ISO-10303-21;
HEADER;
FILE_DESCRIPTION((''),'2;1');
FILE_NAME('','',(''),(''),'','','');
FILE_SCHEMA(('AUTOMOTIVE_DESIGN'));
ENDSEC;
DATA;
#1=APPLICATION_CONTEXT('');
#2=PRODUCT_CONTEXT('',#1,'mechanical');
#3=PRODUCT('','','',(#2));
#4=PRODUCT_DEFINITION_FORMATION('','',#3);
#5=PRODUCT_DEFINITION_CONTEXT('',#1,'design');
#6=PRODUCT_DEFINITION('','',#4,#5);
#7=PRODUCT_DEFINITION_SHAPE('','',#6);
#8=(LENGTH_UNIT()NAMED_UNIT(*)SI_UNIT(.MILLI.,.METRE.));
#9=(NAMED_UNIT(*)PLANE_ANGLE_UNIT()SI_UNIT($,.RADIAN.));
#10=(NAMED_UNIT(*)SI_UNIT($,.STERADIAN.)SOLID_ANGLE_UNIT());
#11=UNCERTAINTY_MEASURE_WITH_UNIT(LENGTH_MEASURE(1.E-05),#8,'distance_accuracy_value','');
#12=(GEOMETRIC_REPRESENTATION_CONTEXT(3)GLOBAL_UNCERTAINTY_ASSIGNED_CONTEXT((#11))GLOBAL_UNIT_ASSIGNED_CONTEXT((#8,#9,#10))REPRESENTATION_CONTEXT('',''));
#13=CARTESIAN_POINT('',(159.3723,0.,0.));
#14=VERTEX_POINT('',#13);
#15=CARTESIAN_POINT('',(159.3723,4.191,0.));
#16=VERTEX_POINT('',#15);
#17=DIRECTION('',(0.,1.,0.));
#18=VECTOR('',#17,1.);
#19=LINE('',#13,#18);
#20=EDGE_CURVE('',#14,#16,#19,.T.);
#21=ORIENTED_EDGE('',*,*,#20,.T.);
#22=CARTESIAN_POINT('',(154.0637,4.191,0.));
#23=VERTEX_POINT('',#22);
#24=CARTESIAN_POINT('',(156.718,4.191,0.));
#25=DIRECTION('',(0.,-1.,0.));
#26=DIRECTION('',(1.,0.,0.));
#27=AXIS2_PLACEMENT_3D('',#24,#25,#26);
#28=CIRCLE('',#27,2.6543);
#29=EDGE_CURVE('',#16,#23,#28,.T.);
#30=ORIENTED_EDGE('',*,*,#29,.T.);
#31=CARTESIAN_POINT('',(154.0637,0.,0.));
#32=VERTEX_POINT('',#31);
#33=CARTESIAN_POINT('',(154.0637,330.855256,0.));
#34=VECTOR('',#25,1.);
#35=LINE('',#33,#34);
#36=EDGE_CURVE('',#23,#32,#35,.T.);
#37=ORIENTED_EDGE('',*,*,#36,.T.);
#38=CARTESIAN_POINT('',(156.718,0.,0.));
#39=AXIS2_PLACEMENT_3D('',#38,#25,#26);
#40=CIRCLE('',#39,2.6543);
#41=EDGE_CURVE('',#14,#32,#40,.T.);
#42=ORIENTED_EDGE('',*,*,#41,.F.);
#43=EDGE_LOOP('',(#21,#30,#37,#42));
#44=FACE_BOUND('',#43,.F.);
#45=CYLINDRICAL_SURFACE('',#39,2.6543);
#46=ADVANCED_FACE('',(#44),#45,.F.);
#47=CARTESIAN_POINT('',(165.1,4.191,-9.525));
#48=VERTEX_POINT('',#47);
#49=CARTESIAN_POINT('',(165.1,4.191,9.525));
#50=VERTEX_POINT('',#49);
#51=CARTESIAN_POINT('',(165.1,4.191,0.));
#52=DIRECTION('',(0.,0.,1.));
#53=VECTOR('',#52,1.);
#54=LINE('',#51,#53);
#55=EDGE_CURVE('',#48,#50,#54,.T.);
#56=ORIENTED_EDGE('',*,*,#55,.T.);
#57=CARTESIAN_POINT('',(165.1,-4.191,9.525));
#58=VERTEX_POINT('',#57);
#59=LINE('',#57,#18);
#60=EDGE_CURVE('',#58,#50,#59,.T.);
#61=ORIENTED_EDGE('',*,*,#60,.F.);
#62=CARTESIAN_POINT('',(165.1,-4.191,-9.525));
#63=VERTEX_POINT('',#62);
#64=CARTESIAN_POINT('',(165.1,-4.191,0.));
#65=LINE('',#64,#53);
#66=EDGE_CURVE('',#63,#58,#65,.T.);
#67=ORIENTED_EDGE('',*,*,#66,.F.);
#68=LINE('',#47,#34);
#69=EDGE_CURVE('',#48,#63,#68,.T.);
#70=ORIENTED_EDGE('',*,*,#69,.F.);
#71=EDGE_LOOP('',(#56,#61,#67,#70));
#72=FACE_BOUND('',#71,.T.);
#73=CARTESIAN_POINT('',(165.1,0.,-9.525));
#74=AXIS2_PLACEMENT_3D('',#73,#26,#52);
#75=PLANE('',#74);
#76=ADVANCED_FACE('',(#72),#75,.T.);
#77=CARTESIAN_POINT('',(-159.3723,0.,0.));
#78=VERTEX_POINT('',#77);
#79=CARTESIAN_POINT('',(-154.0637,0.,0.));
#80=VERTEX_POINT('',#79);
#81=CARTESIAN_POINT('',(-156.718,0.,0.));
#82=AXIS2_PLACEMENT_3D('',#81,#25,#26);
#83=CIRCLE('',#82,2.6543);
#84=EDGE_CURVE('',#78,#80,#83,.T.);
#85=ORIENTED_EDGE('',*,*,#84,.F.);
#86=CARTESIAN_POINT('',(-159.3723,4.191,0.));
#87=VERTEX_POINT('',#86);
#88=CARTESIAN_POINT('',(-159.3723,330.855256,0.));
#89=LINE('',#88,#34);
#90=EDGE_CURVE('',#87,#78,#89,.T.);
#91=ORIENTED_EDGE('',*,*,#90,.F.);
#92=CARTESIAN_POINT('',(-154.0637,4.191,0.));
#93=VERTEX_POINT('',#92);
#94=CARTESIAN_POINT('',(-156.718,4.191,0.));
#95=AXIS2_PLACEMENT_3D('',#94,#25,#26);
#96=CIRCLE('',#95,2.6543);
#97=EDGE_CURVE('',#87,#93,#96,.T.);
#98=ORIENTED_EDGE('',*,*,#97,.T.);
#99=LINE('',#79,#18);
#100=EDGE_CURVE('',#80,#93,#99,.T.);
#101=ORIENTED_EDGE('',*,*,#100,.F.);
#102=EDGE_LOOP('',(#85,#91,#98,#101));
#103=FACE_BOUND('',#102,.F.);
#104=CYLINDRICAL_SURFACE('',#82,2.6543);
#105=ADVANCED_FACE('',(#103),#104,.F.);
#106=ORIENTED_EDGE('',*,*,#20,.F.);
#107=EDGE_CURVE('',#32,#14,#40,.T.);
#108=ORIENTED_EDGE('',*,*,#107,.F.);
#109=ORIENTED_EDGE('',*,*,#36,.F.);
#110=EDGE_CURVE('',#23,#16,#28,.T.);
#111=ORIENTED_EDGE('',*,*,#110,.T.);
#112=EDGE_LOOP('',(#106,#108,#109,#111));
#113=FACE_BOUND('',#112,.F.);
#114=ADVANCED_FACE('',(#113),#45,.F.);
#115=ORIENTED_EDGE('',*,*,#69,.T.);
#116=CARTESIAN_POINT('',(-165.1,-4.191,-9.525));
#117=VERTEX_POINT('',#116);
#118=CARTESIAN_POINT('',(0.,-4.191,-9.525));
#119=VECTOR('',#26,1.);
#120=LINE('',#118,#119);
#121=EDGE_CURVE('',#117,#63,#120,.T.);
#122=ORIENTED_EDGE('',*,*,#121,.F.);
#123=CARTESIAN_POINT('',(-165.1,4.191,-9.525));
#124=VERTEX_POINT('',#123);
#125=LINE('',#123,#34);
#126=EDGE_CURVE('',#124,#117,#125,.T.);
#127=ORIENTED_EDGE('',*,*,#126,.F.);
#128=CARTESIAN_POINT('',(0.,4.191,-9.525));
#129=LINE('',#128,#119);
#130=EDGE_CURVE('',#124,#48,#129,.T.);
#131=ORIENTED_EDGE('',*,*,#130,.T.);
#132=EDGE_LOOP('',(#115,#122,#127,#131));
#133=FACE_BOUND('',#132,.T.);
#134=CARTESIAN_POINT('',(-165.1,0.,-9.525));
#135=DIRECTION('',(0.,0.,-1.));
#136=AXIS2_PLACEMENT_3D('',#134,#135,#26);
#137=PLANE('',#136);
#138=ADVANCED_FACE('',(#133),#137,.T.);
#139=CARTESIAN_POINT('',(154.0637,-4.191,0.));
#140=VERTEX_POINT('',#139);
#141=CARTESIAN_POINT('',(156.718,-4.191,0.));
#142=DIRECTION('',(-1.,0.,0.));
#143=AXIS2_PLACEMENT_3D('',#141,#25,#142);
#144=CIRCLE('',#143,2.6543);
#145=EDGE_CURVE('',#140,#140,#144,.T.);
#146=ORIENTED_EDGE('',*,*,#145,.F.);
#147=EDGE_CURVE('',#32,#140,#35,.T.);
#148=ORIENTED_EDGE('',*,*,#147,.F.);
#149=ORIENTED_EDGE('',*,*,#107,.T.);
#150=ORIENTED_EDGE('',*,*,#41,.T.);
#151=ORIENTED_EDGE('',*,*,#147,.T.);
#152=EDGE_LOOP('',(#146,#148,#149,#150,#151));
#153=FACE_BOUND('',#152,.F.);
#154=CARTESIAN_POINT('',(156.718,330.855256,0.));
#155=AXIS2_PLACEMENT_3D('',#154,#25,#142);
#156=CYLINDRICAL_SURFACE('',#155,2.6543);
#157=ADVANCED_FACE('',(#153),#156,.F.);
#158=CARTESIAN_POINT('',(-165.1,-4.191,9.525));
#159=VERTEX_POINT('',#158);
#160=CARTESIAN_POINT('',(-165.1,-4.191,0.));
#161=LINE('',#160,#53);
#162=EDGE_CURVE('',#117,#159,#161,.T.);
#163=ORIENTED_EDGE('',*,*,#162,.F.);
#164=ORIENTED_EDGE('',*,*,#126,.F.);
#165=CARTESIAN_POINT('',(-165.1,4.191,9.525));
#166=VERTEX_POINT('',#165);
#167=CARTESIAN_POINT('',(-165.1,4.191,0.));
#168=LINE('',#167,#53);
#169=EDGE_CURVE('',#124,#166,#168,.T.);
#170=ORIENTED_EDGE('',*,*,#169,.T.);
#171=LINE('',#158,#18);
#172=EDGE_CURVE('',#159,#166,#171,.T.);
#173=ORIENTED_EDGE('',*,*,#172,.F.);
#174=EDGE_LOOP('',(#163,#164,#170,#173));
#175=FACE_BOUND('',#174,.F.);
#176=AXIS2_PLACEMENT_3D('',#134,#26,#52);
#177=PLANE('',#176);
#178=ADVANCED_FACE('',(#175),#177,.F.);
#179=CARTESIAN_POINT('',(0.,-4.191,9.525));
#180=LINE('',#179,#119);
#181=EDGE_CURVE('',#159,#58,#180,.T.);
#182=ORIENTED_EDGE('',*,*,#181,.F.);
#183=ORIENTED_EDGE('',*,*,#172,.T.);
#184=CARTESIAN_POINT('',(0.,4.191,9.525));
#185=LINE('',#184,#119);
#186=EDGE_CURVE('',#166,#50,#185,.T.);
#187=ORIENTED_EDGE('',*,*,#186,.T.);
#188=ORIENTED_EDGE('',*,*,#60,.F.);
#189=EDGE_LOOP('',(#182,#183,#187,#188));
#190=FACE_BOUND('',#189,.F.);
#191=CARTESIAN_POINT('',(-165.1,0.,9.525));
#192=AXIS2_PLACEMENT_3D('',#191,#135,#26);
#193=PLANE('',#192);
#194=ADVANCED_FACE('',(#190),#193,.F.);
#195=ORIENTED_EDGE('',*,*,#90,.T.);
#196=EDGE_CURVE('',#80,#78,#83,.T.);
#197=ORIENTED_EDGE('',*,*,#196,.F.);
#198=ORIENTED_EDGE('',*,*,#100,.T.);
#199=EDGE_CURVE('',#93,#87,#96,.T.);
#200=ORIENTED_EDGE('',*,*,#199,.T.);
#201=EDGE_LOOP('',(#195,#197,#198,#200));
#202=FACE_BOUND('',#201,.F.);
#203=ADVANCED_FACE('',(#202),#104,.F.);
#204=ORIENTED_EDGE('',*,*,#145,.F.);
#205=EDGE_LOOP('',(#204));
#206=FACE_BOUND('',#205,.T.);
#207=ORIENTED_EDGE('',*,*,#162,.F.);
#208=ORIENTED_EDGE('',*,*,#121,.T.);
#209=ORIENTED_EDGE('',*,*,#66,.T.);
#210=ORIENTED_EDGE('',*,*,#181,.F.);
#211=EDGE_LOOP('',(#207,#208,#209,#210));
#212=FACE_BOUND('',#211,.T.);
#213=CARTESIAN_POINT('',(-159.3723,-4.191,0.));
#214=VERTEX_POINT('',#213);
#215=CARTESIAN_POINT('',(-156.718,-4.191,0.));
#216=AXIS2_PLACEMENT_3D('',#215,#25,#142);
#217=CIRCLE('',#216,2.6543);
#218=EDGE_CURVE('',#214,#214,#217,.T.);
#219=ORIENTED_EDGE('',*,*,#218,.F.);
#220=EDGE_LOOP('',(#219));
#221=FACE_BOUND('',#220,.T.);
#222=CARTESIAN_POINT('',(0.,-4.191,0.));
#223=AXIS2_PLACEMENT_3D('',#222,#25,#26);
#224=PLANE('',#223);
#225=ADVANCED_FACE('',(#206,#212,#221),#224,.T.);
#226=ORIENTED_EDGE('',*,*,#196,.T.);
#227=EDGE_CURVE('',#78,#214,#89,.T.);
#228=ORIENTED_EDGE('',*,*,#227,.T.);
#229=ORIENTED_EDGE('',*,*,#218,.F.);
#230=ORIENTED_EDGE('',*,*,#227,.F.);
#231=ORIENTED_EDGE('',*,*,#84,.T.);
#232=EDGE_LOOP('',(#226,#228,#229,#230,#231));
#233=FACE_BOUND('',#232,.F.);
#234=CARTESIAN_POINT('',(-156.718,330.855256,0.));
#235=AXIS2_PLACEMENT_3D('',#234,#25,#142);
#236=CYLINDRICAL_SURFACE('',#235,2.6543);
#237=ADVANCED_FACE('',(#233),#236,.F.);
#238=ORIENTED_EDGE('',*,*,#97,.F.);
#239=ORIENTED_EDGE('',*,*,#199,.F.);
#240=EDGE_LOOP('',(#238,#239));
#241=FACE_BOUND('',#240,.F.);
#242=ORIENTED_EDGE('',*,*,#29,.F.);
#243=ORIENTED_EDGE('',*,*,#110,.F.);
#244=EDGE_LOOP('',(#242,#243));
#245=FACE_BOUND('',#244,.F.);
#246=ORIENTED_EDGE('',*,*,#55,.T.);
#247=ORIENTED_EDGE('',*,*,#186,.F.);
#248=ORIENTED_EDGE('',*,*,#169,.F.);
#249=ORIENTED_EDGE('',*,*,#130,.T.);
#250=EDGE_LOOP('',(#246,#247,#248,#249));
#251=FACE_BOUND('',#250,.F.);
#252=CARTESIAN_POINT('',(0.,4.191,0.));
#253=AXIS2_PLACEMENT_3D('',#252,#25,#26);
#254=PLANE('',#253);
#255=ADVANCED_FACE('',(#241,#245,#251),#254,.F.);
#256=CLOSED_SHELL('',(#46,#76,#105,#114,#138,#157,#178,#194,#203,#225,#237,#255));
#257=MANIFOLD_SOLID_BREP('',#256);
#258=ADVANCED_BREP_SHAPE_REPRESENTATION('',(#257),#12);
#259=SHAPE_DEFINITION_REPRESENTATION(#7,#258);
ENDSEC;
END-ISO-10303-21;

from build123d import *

# Parameters (mm, degrees)
F0_W     = 330.2
F0_H     = 19.05
F1_DEPTH = 4.191
F2_D     = 5.3086
F2_DEPTH = 4.192
F3_D     = 5.3086


with BuildPart() as f1:
    # F0 (on Front) → F1 (new body, symmetric)
    with BuildSketch(Plane.XZ):
        Rectangle(F0_W, F0_H)
    extrude(amount=F1_DEPTH, both=True)

    # F2 (through all, one way)
    with BuildSketch(Plane.XZ):
        with Locations((-156.718, 0), (156.718, 0)):
            Circle(F2_D / 2)
    extrude(amount=-F2_DEPTH, mode=Mode.SUBTRACT)

    # F3 (through all)
    with Locations(Plane(origin=(0, 0, 0), x_dir=(1, 0, 0), z_dir=(0, 1, 0))):
        with Locations((-156.718, 0), (156.718, 0)):
            Hole(F3_D / 2)


solid = f1.part
